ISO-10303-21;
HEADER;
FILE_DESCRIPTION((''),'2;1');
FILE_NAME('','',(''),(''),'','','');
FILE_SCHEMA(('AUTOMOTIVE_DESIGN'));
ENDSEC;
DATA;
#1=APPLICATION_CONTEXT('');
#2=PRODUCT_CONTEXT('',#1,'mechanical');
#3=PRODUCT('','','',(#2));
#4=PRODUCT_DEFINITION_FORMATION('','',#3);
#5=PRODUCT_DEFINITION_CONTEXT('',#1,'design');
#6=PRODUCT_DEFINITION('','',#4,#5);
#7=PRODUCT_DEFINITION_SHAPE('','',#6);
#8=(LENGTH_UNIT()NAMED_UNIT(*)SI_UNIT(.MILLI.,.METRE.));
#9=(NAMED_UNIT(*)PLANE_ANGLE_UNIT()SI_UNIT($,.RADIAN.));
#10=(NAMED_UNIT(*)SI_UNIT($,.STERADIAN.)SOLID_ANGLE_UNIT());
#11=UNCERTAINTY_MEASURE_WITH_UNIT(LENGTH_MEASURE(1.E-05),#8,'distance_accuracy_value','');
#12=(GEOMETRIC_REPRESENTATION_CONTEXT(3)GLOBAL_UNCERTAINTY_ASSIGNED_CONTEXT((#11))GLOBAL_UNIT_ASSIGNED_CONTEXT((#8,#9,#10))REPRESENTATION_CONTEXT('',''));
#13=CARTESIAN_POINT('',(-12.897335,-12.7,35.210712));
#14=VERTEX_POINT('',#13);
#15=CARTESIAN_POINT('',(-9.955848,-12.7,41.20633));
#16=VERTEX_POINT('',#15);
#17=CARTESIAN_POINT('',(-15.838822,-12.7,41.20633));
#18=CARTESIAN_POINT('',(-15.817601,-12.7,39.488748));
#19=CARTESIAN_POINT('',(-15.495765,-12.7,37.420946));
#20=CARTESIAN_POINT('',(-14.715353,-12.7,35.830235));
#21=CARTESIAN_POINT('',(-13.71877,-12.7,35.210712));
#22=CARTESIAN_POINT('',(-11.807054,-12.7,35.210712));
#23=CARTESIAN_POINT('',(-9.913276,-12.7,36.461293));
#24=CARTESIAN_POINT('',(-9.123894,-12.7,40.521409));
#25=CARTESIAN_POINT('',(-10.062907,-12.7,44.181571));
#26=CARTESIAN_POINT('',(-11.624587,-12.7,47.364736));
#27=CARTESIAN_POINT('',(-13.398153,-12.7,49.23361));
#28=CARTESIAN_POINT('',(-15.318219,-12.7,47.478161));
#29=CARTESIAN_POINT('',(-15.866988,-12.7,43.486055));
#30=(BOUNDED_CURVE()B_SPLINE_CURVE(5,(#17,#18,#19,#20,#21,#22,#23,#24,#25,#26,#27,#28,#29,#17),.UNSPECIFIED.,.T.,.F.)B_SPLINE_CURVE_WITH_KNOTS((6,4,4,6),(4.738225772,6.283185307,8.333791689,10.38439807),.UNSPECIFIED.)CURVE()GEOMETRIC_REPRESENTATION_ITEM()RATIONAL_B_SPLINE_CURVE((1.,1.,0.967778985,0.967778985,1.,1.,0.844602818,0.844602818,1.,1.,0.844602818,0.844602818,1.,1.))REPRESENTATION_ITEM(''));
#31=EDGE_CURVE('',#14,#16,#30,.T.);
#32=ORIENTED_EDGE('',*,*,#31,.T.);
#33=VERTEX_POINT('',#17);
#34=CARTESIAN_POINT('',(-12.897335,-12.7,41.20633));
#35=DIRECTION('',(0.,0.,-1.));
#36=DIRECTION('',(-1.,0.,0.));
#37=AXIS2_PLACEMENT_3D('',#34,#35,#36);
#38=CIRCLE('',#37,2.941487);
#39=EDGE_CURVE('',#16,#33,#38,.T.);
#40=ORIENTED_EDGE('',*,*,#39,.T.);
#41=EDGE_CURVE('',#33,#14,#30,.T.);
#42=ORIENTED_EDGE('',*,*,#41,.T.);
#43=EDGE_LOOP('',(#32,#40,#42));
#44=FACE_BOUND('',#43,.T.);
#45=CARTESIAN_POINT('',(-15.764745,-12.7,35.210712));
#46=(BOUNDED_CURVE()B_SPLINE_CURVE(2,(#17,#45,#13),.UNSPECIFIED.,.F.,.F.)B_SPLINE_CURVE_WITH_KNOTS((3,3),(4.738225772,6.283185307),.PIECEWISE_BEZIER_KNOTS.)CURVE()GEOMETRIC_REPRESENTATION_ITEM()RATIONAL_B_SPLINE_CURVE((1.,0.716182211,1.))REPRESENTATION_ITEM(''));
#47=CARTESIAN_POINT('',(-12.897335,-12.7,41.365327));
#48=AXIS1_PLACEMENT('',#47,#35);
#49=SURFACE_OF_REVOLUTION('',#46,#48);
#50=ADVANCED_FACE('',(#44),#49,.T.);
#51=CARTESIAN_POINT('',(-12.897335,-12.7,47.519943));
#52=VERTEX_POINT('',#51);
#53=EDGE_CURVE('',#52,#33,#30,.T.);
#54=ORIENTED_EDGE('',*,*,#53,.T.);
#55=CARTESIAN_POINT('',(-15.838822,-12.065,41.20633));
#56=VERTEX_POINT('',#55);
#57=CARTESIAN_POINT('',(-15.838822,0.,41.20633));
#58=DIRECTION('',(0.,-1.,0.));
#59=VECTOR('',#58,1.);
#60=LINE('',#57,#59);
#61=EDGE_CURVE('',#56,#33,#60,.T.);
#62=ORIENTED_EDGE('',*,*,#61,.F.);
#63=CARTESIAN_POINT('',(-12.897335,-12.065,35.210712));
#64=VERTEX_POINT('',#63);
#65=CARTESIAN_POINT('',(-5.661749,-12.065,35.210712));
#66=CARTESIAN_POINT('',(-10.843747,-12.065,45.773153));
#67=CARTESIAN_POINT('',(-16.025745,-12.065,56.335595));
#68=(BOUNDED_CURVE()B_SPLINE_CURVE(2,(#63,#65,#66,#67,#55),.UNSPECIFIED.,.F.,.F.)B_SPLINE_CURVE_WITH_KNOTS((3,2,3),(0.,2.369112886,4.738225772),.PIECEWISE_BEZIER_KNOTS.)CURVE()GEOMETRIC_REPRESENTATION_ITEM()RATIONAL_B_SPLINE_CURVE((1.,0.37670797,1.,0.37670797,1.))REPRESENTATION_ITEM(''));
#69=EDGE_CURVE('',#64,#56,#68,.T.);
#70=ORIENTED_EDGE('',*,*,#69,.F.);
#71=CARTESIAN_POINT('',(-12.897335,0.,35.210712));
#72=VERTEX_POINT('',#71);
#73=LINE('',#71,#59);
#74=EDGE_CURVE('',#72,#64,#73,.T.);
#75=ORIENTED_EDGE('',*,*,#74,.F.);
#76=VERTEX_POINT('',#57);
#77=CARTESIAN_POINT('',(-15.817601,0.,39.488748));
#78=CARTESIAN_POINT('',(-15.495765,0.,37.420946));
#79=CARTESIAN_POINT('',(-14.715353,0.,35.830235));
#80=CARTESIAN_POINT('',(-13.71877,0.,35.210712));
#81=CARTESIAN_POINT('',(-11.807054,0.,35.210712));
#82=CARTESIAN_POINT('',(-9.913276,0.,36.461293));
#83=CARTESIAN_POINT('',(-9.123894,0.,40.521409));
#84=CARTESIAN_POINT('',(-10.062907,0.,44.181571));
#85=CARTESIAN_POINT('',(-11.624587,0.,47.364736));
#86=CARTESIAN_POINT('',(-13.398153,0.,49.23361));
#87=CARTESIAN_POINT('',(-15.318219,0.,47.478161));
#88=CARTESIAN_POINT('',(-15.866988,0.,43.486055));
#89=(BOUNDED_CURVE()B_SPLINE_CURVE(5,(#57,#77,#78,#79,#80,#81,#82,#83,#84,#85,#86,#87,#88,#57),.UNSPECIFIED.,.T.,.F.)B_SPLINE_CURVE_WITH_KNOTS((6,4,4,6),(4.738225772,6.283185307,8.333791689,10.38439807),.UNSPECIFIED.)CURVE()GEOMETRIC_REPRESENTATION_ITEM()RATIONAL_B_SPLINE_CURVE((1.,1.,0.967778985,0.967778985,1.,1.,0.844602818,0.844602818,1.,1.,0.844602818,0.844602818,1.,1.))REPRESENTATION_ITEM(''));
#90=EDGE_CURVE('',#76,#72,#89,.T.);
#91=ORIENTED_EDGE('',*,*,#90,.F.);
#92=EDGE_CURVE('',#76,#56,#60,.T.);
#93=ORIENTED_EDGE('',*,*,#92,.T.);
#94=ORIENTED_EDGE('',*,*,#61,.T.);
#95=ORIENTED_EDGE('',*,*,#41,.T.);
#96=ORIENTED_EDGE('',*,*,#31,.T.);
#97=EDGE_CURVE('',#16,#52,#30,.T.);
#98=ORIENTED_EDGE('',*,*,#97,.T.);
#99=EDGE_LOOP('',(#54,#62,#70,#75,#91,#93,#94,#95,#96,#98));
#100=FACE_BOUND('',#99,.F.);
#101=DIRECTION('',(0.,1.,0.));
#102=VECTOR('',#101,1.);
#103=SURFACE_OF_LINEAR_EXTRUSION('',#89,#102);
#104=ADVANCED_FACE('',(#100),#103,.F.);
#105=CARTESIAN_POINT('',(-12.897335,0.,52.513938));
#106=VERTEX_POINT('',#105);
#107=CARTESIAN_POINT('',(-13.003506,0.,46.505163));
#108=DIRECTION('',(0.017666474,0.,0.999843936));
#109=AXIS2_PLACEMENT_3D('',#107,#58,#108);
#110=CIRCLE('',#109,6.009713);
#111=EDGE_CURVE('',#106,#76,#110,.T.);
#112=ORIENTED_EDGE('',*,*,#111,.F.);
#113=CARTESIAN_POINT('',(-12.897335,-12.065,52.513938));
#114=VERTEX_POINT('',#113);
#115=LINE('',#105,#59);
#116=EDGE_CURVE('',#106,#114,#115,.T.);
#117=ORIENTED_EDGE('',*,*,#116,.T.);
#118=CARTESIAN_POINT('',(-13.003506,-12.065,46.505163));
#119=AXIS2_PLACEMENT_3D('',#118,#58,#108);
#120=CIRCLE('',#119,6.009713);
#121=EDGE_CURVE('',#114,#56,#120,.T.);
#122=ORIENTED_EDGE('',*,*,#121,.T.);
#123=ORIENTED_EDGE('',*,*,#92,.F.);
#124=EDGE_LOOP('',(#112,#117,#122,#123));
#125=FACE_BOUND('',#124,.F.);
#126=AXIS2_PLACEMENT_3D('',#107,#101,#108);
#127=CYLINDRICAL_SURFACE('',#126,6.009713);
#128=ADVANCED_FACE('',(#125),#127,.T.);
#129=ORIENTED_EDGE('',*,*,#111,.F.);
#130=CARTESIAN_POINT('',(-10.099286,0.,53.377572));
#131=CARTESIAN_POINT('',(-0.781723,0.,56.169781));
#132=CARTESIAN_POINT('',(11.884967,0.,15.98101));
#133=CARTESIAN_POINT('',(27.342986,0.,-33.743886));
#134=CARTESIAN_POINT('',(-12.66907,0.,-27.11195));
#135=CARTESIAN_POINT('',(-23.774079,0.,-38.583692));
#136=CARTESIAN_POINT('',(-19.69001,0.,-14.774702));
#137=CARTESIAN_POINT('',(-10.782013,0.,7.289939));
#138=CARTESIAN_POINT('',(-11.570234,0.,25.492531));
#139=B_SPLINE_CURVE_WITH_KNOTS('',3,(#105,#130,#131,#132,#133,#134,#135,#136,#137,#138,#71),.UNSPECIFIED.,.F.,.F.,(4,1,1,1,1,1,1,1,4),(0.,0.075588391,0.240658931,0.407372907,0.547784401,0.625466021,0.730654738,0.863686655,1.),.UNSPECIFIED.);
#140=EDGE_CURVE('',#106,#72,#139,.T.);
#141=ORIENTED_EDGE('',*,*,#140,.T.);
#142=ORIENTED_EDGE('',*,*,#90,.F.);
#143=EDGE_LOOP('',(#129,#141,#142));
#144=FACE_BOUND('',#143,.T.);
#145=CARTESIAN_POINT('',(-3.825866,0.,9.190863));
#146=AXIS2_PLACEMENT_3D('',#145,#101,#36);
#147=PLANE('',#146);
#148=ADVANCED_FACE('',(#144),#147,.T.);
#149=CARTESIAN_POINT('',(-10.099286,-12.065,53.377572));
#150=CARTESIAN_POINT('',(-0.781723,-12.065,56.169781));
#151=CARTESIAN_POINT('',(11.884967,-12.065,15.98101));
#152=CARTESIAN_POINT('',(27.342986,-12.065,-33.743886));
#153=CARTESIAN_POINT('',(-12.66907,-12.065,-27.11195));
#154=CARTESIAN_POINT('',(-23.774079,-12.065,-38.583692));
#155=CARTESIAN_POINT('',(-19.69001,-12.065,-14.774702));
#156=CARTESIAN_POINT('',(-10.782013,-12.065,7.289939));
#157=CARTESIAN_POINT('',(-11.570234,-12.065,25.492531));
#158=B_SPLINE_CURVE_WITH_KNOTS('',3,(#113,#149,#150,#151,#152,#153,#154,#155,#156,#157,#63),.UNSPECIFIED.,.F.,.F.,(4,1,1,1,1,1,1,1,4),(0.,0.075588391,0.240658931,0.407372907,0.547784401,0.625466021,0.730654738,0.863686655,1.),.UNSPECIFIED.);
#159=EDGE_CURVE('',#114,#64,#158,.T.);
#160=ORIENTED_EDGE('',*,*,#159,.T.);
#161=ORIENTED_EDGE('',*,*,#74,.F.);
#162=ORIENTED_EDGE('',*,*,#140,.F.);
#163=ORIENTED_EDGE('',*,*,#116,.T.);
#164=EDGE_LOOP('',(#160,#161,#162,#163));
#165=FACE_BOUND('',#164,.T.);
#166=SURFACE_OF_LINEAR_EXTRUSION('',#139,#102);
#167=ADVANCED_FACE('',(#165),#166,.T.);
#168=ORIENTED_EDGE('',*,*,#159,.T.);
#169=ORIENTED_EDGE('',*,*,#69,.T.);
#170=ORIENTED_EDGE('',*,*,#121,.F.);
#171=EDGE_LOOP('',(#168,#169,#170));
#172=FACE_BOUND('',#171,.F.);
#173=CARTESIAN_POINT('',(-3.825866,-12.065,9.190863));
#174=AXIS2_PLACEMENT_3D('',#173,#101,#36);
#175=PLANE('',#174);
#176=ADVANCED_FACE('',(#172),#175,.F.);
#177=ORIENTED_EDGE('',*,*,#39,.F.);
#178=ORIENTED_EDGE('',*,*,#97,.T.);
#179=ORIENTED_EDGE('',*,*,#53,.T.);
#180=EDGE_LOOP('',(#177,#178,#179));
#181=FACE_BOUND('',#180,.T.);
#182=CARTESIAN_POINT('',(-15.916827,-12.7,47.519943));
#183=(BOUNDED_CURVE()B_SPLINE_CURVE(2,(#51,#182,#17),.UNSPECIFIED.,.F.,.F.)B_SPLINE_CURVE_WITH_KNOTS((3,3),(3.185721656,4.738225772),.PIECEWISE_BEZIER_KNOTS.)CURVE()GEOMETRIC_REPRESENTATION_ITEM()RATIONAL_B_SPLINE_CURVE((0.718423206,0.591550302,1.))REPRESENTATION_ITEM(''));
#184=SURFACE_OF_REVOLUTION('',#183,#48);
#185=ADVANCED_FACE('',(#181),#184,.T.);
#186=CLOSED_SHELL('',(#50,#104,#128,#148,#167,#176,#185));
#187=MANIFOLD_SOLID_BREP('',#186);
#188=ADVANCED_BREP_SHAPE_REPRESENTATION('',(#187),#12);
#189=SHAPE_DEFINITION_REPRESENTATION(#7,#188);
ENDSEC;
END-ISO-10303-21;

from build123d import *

# Parameters (mm, degrees)
F1_DEPTH = 12.7
F2_DEPTH = 12.065


with BuildPart() as f1:
    # F0 (on Front) → F1 (new body)
    with BuildSketch(Plane.XZ):
        with BuildLine():
            add(Edge.make_bspline(
                [(-15.8388217014, 41.2063295306), (-15.7647452629, 35.2107119264), (-12.8973350741, 35.2107119264)],
                knots=[4.7382257724, 4.7382257724, 4.7382257724, 6.2831853072, 6.2831853072, 6.2831853072], degree=2, weights=[1, 0.7161822106, 1]))
            add(Edge.make_bspline(
                [(-12.8973350741, 35.2107119264), (-5.6617485659, 35.2107119264), (-10.8437469064, 45.7731534439), (-16.0257452469, 56.3355949615), (-15.8388217014, 41.2063295306)],
                knots=[0, 0, 0, 2.3691128862, 2.3691128862, 4.7382257724, 4.7382257724, 4.7382257724], degree=2, weights=[1, 0.37670797, 1, 0.37670797, 1]))
        make_face()
    extrude(amount=F1_DEPTH)

    # F0 (on Front) → F2 (join)
    with BuildSketch(Plane.XZ):
        with BuildLine():
            add(Edge.make_bspline(
                [(-12.8973350741, 35.2107119264), (-5.6617485659, 35.2107119264), (-10.8437469064, 45.7731534439), (-16.0257452469, 56.3355949615), (-15.8388217014, 41.2063295306)],
                knots=[0, 0, 0, 2.3691128862, 2.3691128862, 4.7382257724, 4.7382257724, 4.7382257724], degree=2, weights=[1, 0.37670797, 1, 0.37670797, 1]))
            add(Edge.make_bspline(
                [(-12.8973350741, 52.5139376537), (-10.0992859937, 53.3775717904), (-0.7817228388, 56.1697810147), (11.8849671631, 15.9810097625), (27.3429860431, -33.7438857845), (-12.6690703151, -27.1119501499), (-23.7740794605, -38.5836917436), (-19.6900101144, -14.7747019436), (-10.7820131275, 7.2899386806), (-11.5702341875, 25.4925306039), (-12.8973350741, 35.2107119264)],
                knots=[0, 0, 0, 0, 0.0755883908, 0.2406589313, 0.4073729073, 0.5477844011, 0.6254660213, 0.7306547381, 0.8636866547, 1, 1, 1, 1], degree=3))
            ThreePointArc((-12.8973350741, 52.5139376537), (-18.8196519582, 48.018136592), (-15.8388217014, 41.2063295306))
        make_face()
    extrude(amount=F2_DEPTH)

    # F3 (on face) → F4 (revolve)
    with BuildSketch(Plane.XZ.offset(12.7)):
        with BuildLine():
            Line((-12.8973350741, 35.2107119264), (-12.8973350741, 47.5199427904))
            add(Edge.make_bspline(
                [(-12.8973350741, 47.5199427904), (-15.9168270071, 47.5199427904), (-15.8388217014, 41.2063295306)],
                knots=[3.1857216562, 3.1857216562, 3.1857216562, 4.7382257724, 4.7382257724, 4.7382257724], degree=2, weights=[0.7184232063, 0.5915503023, 1]))
            add(Edge.make_bspline(
                [(-15.8388217014, 41.2063295306), (-15.7647452629, 35.2107119264), (-12.8973350741, 35.2107119264)],
                knots=[4.7382257724, 4.7382257724, 4.7382257724, 6.2831853072, 6.2831853072, 6.2831853072], degree=2, weights=[1, 0.7161822106, 1]))
        make_face()
    revolve(axis=Axis((-12.8973350741, -12.7, 41.3653273584), (0, 0, -1)))


solid = f1.part
